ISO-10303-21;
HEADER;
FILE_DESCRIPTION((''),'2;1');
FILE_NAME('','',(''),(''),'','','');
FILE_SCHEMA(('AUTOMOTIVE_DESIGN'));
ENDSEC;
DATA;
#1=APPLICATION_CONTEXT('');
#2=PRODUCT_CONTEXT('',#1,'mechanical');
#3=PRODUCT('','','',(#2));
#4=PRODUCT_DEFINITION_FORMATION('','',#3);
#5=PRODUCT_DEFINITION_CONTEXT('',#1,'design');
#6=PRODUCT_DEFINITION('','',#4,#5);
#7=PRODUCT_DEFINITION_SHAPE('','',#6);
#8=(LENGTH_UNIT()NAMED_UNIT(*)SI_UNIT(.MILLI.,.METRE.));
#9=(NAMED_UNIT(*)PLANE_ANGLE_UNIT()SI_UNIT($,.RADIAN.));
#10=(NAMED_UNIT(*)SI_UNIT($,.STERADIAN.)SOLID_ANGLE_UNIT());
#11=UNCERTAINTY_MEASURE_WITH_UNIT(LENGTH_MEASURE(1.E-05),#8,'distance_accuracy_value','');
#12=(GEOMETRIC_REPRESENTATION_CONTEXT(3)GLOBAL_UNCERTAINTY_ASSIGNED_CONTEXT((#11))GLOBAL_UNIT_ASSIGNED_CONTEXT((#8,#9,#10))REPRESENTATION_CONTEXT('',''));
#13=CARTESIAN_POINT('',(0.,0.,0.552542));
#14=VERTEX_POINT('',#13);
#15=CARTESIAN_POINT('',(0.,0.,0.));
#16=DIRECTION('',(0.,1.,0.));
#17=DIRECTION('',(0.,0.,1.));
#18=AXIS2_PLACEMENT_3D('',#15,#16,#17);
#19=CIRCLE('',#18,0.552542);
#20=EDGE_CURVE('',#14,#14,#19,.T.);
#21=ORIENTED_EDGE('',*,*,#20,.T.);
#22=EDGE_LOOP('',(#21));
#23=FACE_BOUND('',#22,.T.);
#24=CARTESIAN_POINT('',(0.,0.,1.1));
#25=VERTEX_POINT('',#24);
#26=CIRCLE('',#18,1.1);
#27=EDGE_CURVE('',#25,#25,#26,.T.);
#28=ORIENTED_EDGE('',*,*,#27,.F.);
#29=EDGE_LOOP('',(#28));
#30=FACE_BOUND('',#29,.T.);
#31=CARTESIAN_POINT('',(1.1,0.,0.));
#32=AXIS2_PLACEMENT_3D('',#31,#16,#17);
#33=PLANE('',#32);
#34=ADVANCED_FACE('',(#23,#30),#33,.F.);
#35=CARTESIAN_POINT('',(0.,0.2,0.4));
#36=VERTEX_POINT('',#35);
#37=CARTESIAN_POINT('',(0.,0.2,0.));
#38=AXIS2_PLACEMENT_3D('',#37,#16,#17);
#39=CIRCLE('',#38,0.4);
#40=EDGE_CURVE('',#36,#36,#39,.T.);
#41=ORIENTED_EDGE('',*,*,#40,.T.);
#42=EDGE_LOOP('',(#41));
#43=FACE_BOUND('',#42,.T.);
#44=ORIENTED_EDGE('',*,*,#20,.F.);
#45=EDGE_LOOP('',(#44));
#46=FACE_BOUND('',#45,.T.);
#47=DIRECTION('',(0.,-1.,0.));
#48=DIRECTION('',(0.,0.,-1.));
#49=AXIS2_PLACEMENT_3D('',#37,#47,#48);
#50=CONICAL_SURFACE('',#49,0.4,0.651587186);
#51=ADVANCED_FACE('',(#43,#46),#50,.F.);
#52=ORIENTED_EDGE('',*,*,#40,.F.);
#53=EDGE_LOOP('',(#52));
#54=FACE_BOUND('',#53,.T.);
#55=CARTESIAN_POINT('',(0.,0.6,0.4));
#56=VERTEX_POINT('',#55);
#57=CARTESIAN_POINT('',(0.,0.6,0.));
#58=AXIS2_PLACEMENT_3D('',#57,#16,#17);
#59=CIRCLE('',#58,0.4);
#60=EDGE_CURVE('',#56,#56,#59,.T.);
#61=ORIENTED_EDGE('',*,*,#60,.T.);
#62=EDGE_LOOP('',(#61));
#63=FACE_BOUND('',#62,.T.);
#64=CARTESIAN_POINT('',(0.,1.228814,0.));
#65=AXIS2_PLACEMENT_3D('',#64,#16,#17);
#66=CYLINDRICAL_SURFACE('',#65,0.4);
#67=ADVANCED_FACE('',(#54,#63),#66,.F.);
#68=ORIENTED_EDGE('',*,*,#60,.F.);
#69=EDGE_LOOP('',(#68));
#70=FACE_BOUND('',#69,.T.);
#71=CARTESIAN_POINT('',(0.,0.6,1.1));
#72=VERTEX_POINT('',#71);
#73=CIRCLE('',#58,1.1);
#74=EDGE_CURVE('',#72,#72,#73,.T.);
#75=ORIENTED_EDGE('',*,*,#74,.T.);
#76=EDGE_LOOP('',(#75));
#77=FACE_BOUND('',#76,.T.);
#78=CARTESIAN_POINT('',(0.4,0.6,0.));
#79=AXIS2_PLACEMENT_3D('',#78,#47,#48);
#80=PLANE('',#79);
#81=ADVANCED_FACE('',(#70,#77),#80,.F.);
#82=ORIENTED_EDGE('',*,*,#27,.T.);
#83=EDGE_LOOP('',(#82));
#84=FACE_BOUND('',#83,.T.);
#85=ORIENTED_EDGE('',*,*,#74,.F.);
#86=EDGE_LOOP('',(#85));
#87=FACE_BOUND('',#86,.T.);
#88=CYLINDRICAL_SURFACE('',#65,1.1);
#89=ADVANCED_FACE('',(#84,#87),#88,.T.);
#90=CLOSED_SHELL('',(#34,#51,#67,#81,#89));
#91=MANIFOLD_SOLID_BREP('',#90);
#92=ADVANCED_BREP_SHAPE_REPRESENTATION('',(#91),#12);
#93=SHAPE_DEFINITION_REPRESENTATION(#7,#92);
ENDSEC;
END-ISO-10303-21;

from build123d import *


with BuildPart() as part:
    # Sketch1 → Revolve1 (revolve)
    with BuildSketch(Plane.XY, mode=Mode.PRIVATE) as revolve1_sk:
        Polygon((0.4, 0.6), (1.1, 0.6), (1.1, 0), (0.552542373, 0), (0.4, 0.2), align=None)
    revolve(revolve1_sk.sketch.rotate(Axis((0, 1.228813559, 0), (0, -1, 0)), 90), axis=Axis((0, 1.228813559, 0), (0, -1, 0)))


solid = part.part
